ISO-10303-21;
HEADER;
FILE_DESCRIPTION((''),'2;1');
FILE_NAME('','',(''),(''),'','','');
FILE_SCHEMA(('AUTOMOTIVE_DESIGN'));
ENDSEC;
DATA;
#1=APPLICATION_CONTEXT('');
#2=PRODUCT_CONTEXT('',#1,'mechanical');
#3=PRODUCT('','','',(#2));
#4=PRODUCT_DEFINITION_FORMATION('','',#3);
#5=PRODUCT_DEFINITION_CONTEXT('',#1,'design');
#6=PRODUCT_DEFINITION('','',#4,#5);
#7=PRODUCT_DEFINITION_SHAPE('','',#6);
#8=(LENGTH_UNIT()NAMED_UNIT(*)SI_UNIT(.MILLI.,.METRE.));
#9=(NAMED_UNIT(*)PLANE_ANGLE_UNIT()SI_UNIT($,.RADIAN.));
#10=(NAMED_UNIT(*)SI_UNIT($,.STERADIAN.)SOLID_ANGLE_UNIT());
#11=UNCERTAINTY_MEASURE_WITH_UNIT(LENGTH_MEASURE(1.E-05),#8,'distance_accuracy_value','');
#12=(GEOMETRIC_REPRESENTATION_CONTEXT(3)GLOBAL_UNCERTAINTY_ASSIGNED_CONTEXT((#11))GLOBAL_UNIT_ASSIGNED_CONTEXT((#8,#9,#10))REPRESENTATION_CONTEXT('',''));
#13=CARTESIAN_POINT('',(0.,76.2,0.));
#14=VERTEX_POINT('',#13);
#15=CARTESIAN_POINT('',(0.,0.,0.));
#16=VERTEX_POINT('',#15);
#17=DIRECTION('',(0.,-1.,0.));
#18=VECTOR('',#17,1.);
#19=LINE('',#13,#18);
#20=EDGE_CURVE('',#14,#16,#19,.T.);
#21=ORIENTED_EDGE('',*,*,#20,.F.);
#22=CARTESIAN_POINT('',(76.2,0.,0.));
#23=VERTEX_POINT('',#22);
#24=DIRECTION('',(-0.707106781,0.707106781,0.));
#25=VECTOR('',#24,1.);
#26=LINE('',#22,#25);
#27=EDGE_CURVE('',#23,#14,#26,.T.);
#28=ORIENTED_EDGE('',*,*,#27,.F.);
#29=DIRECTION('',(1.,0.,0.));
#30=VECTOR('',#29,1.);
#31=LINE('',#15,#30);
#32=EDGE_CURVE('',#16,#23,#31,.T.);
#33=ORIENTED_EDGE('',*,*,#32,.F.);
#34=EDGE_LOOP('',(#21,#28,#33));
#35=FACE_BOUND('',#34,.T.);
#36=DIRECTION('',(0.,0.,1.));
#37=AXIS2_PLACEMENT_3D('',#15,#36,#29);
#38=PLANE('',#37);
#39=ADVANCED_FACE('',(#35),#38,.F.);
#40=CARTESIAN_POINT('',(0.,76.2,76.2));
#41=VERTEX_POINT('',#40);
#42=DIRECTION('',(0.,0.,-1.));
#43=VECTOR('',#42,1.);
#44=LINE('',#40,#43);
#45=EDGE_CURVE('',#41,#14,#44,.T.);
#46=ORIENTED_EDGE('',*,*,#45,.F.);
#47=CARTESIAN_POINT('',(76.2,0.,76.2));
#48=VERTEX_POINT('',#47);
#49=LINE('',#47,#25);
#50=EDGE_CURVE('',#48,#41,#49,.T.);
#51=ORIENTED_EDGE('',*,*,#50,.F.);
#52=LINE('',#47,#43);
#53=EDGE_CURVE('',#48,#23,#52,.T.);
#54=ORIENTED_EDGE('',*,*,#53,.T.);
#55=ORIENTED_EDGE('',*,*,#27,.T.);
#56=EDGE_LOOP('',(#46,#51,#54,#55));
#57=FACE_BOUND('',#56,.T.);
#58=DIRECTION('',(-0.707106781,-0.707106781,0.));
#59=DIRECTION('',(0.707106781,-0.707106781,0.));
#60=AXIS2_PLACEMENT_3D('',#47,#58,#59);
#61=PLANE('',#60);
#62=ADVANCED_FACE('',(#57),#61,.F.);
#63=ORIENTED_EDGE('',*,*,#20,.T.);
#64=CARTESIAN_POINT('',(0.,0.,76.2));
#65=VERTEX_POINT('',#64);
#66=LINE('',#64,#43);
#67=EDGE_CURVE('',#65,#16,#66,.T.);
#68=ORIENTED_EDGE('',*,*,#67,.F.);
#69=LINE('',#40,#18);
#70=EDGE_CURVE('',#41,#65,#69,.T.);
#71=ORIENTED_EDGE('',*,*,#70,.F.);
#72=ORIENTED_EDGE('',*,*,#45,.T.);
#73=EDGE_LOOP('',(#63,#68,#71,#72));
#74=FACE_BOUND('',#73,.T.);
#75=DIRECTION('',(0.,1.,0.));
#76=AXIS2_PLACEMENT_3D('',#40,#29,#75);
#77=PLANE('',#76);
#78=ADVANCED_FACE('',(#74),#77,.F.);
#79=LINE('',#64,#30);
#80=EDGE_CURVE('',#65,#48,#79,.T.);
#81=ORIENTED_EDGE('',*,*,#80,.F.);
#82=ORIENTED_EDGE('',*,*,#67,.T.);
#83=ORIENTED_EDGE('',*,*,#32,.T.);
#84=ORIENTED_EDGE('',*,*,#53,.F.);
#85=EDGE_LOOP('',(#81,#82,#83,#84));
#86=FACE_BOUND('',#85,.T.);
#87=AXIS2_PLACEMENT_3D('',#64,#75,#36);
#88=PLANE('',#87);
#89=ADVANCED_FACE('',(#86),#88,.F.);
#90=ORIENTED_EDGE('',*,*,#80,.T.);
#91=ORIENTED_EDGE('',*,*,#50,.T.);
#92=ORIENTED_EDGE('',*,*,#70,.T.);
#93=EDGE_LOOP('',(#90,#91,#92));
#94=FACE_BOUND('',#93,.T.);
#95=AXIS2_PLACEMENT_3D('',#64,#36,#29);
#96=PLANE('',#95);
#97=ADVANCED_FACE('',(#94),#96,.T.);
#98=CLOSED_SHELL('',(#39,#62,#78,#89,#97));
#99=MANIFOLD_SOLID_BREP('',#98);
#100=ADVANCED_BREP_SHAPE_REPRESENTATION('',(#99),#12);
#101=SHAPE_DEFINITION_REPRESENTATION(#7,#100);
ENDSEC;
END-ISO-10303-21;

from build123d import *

# Parameters (mm, degrees)
BOSS_EXTRUDE1_DEPTH = 76.2


with BuildPart() as part:
    # Sketch1 → Boss-Extrude1 (new body)
    with BuildSketch(Plane.XY):
        Polygon((0, 76.2), (0, 0), (76.2, 0), align=None)
    extrude(amount=BOSS_EXTRUDE1_DEPTH)


solid = part.part
